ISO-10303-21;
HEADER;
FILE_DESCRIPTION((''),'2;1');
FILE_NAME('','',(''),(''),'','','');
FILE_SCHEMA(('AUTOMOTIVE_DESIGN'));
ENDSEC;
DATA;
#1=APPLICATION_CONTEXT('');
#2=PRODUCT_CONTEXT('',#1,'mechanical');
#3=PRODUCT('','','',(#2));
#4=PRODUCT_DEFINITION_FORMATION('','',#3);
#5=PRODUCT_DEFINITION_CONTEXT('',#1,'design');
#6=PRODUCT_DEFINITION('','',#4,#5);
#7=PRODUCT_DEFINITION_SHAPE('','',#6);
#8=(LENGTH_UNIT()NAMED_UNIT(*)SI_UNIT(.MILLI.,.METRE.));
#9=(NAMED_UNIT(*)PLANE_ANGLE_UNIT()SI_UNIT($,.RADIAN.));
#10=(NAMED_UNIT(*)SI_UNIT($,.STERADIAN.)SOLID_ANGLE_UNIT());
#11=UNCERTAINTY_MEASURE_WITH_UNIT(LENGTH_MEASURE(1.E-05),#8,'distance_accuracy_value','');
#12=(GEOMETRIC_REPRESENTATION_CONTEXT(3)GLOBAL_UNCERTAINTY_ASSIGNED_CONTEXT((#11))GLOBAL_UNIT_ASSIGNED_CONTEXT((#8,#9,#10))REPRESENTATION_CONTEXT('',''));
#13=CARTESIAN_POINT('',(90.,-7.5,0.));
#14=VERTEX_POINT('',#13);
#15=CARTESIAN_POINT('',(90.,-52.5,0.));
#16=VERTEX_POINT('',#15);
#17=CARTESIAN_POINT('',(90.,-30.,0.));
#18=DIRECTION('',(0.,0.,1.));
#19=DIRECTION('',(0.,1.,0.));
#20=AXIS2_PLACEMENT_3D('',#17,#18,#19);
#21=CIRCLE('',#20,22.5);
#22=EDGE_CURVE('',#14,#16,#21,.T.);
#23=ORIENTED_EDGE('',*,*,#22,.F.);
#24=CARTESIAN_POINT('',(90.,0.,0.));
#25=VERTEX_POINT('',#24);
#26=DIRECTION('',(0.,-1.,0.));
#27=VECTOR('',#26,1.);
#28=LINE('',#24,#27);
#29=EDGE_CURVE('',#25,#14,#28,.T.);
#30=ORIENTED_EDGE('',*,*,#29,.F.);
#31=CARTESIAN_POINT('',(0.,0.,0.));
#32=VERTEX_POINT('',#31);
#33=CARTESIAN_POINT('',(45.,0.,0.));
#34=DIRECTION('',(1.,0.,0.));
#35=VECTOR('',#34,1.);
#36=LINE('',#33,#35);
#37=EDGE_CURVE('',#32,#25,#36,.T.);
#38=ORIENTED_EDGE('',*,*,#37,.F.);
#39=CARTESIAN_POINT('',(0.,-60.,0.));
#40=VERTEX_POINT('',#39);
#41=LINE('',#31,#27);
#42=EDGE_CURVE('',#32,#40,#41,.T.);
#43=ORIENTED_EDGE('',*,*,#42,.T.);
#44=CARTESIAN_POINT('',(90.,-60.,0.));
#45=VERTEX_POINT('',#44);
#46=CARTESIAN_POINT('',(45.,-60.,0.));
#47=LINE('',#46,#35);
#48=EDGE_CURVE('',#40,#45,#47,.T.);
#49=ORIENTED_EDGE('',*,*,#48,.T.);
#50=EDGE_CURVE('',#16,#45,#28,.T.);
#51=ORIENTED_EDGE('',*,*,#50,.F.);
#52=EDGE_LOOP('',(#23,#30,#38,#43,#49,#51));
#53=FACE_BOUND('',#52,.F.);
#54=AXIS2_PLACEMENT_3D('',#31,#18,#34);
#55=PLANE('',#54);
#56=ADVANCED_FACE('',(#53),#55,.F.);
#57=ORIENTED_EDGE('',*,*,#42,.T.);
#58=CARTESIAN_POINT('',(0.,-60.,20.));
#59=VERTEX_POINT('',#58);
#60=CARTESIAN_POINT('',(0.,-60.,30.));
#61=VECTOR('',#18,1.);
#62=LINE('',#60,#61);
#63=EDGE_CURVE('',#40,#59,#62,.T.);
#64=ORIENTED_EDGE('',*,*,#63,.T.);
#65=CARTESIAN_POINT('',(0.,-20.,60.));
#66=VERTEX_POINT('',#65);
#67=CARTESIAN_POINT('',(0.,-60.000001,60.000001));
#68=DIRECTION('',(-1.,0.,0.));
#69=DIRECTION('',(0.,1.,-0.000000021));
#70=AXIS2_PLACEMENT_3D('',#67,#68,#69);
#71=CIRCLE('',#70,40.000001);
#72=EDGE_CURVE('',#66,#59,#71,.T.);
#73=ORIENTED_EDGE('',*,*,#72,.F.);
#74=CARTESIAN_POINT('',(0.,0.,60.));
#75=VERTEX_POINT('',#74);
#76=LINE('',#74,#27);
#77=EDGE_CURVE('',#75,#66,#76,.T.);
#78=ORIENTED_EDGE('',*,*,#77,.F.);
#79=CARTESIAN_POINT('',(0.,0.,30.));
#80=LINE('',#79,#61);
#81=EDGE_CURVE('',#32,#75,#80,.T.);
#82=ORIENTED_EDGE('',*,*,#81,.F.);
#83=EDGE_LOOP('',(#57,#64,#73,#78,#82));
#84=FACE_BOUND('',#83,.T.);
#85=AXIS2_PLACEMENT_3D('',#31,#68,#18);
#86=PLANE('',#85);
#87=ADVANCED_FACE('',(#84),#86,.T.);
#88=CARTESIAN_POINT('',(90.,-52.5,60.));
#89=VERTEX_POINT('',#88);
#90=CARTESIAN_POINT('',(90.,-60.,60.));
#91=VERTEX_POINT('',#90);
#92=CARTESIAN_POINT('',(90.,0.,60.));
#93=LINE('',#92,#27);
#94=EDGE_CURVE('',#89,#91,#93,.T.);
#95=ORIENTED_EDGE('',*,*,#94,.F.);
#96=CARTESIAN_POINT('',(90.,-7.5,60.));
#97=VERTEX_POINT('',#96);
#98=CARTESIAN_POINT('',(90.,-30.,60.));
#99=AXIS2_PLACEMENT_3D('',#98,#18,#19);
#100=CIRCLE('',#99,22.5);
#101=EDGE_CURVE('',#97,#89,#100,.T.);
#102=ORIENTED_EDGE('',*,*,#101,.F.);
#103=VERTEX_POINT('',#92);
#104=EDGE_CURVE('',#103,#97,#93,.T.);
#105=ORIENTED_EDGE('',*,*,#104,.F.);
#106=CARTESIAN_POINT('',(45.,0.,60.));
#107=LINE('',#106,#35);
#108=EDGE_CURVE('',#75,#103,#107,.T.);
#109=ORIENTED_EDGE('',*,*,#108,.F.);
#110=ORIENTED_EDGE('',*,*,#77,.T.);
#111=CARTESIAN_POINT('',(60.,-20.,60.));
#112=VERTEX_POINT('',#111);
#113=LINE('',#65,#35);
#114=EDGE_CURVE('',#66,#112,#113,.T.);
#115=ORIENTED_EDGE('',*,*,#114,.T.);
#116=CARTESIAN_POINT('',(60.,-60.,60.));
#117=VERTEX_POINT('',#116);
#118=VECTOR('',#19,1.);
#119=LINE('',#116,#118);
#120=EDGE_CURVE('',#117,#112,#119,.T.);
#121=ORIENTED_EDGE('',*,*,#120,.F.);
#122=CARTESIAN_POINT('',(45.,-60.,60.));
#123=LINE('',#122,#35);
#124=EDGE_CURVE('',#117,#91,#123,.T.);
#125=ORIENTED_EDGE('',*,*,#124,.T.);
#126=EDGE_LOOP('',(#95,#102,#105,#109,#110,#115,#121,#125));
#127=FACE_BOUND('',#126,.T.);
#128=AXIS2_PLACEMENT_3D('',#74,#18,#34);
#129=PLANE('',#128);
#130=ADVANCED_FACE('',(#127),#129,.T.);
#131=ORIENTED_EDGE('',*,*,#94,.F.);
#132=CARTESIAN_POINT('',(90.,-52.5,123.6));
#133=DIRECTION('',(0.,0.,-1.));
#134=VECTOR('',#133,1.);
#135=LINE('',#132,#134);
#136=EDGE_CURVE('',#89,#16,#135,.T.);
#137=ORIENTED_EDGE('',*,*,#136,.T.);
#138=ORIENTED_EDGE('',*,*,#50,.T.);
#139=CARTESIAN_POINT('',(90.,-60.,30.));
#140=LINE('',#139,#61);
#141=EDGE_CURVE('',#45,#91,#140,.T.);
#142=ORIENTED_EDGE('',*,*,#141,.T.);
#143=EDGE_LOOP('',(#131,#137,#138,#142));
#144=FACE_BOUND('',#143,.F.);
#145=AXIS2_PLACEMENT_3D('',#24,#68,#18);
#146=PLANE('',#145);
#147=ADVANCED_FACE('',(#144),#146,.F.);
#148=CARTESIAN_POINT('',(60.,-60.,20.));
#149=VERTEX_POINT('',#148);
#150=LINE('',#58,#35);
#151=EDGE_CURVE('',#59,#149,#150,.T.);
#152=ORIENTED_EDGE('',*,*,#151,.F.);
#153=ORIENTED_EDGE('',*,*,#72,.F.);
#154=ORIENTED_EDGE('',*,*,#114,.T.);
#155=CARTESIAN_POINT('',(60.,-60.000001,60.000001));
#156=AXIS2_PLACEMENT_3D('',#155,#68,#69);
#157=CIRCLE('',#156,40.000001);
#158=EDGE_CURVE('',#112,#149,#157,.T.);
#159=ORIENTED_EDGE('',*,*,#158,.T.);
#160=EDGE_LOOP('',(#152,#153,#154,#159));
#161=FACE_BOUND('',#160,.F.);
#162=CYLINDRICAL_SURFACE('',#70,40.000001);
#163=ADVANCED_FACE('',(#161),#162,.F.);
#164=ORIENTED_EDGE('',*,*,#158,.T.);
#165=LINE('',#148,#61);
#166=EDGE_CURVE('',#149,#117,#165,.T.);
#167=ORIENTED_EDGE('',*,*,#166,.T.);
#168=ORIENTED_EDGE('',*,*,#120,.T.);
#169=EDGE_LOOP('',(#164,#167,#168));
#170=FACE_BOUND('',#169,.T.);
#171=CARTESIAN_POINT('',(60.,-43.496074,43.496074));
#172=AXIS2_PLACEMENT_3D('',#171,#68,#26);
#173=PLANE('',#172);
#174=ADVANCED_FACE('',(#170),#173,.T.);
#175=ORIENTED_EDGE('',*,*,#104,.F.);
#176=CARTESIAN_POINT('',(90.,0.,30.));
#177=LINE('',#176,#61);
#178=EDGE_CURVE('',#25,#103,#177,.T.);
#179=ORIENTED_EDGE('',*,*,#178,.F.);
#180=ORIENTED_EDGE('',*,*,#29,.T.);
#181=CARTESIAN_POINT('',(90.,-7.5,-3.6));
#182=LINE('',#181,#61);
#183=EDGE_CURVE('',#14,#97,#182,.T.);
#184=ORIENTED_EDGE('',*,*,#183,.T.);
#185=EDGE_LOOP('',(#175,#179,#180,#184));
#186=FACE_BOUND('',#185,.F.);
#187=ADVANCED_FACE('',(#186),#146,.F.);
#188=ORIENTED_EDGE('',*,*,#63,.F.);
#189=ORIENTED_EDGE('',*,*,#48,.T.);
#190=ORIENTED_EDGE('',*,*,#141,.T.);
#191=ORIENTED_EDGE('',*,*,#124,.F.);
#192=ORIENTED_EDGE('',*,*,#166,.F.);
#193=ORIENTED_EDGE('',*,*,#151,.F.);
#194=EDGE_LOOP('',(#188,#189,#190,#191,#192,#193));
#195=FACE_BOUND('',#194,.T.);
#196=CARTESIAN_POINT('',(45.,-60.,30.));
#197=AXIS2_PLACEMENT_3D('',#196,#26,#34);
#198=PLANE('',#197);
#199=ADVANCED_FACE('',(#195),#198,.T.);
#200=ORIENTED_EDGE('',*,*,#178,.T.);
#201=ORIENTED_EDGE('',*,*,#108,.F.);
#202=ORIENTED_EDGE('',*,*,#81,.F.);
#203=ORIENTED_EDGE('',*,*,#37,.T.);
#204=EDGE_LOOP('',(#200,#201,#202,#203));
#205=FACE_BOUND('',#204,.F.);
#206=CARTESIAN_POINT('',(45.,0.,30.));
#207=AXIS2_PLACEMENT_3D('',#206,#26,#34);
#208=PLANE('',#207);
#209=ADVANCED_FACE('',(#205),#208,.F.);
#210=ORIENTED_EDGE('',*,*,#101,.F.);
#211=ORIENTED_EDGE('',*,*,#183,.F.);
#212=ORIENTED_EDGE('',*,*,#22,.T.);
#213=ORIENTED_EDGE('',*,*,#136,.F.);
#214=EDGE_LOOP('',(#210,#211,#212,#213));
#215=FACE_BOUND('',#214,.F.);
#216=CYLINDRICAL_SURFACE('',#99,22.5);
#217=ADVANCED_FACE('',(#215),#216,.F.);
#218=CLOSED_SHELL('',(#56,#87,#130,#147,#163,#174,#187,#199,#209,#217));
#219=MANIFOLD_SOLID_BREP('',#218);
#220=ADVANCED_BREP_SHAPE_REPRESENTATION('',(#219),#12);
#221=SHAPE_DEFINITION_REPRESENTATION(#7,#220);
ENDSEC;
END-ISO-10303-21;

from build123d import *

# Parameters (mm, degrees)
F0_W     = 90
F0_H     = 60
F1_DEPTH = 60
F3_DEPTH = 63.6
F5_DEPTH = 60


with BuildPart() as f1:
    # F0 (on Front) → F1 (new body)
    with BuildSketch(Plane.XZ):
        with Locations((45, 30)):
            Rectangle(F0_W, F0_H)
    extrude(amount=F1_DEPTH)

    # F2 (on face) → F3 (cut, symmetric)
    with BuildSketch(Plane.XY.offset(60)):
        with BuildLine():
            Line((90, -52.5), (90, -7.5))
            ThreePointArc((90, -7.5), (67.5, -30), (90, -52.5))
        make_face()
    extrude(amount=F3_DEPTH, both=True, mode=Mode.SUBTRACT)

    # F4 (on face) → F5 (cut)
    with BuildSketch(Plane(origin=(0, 0, 0), x_dir=(0, -1, 0), z_dir=(-1, 0, 0))):
        with BuildLine():
            Line((60, 60), (20, 60))
            ThreePointArc((20, 60), (31.715729, 31.715729), (60, 20))
            Line((60, 20), (60, 60))
        make_face()
    extrude(amount=-F5_DEPTH, mode=Mode.SUBTRACT)


solid = f1.part
